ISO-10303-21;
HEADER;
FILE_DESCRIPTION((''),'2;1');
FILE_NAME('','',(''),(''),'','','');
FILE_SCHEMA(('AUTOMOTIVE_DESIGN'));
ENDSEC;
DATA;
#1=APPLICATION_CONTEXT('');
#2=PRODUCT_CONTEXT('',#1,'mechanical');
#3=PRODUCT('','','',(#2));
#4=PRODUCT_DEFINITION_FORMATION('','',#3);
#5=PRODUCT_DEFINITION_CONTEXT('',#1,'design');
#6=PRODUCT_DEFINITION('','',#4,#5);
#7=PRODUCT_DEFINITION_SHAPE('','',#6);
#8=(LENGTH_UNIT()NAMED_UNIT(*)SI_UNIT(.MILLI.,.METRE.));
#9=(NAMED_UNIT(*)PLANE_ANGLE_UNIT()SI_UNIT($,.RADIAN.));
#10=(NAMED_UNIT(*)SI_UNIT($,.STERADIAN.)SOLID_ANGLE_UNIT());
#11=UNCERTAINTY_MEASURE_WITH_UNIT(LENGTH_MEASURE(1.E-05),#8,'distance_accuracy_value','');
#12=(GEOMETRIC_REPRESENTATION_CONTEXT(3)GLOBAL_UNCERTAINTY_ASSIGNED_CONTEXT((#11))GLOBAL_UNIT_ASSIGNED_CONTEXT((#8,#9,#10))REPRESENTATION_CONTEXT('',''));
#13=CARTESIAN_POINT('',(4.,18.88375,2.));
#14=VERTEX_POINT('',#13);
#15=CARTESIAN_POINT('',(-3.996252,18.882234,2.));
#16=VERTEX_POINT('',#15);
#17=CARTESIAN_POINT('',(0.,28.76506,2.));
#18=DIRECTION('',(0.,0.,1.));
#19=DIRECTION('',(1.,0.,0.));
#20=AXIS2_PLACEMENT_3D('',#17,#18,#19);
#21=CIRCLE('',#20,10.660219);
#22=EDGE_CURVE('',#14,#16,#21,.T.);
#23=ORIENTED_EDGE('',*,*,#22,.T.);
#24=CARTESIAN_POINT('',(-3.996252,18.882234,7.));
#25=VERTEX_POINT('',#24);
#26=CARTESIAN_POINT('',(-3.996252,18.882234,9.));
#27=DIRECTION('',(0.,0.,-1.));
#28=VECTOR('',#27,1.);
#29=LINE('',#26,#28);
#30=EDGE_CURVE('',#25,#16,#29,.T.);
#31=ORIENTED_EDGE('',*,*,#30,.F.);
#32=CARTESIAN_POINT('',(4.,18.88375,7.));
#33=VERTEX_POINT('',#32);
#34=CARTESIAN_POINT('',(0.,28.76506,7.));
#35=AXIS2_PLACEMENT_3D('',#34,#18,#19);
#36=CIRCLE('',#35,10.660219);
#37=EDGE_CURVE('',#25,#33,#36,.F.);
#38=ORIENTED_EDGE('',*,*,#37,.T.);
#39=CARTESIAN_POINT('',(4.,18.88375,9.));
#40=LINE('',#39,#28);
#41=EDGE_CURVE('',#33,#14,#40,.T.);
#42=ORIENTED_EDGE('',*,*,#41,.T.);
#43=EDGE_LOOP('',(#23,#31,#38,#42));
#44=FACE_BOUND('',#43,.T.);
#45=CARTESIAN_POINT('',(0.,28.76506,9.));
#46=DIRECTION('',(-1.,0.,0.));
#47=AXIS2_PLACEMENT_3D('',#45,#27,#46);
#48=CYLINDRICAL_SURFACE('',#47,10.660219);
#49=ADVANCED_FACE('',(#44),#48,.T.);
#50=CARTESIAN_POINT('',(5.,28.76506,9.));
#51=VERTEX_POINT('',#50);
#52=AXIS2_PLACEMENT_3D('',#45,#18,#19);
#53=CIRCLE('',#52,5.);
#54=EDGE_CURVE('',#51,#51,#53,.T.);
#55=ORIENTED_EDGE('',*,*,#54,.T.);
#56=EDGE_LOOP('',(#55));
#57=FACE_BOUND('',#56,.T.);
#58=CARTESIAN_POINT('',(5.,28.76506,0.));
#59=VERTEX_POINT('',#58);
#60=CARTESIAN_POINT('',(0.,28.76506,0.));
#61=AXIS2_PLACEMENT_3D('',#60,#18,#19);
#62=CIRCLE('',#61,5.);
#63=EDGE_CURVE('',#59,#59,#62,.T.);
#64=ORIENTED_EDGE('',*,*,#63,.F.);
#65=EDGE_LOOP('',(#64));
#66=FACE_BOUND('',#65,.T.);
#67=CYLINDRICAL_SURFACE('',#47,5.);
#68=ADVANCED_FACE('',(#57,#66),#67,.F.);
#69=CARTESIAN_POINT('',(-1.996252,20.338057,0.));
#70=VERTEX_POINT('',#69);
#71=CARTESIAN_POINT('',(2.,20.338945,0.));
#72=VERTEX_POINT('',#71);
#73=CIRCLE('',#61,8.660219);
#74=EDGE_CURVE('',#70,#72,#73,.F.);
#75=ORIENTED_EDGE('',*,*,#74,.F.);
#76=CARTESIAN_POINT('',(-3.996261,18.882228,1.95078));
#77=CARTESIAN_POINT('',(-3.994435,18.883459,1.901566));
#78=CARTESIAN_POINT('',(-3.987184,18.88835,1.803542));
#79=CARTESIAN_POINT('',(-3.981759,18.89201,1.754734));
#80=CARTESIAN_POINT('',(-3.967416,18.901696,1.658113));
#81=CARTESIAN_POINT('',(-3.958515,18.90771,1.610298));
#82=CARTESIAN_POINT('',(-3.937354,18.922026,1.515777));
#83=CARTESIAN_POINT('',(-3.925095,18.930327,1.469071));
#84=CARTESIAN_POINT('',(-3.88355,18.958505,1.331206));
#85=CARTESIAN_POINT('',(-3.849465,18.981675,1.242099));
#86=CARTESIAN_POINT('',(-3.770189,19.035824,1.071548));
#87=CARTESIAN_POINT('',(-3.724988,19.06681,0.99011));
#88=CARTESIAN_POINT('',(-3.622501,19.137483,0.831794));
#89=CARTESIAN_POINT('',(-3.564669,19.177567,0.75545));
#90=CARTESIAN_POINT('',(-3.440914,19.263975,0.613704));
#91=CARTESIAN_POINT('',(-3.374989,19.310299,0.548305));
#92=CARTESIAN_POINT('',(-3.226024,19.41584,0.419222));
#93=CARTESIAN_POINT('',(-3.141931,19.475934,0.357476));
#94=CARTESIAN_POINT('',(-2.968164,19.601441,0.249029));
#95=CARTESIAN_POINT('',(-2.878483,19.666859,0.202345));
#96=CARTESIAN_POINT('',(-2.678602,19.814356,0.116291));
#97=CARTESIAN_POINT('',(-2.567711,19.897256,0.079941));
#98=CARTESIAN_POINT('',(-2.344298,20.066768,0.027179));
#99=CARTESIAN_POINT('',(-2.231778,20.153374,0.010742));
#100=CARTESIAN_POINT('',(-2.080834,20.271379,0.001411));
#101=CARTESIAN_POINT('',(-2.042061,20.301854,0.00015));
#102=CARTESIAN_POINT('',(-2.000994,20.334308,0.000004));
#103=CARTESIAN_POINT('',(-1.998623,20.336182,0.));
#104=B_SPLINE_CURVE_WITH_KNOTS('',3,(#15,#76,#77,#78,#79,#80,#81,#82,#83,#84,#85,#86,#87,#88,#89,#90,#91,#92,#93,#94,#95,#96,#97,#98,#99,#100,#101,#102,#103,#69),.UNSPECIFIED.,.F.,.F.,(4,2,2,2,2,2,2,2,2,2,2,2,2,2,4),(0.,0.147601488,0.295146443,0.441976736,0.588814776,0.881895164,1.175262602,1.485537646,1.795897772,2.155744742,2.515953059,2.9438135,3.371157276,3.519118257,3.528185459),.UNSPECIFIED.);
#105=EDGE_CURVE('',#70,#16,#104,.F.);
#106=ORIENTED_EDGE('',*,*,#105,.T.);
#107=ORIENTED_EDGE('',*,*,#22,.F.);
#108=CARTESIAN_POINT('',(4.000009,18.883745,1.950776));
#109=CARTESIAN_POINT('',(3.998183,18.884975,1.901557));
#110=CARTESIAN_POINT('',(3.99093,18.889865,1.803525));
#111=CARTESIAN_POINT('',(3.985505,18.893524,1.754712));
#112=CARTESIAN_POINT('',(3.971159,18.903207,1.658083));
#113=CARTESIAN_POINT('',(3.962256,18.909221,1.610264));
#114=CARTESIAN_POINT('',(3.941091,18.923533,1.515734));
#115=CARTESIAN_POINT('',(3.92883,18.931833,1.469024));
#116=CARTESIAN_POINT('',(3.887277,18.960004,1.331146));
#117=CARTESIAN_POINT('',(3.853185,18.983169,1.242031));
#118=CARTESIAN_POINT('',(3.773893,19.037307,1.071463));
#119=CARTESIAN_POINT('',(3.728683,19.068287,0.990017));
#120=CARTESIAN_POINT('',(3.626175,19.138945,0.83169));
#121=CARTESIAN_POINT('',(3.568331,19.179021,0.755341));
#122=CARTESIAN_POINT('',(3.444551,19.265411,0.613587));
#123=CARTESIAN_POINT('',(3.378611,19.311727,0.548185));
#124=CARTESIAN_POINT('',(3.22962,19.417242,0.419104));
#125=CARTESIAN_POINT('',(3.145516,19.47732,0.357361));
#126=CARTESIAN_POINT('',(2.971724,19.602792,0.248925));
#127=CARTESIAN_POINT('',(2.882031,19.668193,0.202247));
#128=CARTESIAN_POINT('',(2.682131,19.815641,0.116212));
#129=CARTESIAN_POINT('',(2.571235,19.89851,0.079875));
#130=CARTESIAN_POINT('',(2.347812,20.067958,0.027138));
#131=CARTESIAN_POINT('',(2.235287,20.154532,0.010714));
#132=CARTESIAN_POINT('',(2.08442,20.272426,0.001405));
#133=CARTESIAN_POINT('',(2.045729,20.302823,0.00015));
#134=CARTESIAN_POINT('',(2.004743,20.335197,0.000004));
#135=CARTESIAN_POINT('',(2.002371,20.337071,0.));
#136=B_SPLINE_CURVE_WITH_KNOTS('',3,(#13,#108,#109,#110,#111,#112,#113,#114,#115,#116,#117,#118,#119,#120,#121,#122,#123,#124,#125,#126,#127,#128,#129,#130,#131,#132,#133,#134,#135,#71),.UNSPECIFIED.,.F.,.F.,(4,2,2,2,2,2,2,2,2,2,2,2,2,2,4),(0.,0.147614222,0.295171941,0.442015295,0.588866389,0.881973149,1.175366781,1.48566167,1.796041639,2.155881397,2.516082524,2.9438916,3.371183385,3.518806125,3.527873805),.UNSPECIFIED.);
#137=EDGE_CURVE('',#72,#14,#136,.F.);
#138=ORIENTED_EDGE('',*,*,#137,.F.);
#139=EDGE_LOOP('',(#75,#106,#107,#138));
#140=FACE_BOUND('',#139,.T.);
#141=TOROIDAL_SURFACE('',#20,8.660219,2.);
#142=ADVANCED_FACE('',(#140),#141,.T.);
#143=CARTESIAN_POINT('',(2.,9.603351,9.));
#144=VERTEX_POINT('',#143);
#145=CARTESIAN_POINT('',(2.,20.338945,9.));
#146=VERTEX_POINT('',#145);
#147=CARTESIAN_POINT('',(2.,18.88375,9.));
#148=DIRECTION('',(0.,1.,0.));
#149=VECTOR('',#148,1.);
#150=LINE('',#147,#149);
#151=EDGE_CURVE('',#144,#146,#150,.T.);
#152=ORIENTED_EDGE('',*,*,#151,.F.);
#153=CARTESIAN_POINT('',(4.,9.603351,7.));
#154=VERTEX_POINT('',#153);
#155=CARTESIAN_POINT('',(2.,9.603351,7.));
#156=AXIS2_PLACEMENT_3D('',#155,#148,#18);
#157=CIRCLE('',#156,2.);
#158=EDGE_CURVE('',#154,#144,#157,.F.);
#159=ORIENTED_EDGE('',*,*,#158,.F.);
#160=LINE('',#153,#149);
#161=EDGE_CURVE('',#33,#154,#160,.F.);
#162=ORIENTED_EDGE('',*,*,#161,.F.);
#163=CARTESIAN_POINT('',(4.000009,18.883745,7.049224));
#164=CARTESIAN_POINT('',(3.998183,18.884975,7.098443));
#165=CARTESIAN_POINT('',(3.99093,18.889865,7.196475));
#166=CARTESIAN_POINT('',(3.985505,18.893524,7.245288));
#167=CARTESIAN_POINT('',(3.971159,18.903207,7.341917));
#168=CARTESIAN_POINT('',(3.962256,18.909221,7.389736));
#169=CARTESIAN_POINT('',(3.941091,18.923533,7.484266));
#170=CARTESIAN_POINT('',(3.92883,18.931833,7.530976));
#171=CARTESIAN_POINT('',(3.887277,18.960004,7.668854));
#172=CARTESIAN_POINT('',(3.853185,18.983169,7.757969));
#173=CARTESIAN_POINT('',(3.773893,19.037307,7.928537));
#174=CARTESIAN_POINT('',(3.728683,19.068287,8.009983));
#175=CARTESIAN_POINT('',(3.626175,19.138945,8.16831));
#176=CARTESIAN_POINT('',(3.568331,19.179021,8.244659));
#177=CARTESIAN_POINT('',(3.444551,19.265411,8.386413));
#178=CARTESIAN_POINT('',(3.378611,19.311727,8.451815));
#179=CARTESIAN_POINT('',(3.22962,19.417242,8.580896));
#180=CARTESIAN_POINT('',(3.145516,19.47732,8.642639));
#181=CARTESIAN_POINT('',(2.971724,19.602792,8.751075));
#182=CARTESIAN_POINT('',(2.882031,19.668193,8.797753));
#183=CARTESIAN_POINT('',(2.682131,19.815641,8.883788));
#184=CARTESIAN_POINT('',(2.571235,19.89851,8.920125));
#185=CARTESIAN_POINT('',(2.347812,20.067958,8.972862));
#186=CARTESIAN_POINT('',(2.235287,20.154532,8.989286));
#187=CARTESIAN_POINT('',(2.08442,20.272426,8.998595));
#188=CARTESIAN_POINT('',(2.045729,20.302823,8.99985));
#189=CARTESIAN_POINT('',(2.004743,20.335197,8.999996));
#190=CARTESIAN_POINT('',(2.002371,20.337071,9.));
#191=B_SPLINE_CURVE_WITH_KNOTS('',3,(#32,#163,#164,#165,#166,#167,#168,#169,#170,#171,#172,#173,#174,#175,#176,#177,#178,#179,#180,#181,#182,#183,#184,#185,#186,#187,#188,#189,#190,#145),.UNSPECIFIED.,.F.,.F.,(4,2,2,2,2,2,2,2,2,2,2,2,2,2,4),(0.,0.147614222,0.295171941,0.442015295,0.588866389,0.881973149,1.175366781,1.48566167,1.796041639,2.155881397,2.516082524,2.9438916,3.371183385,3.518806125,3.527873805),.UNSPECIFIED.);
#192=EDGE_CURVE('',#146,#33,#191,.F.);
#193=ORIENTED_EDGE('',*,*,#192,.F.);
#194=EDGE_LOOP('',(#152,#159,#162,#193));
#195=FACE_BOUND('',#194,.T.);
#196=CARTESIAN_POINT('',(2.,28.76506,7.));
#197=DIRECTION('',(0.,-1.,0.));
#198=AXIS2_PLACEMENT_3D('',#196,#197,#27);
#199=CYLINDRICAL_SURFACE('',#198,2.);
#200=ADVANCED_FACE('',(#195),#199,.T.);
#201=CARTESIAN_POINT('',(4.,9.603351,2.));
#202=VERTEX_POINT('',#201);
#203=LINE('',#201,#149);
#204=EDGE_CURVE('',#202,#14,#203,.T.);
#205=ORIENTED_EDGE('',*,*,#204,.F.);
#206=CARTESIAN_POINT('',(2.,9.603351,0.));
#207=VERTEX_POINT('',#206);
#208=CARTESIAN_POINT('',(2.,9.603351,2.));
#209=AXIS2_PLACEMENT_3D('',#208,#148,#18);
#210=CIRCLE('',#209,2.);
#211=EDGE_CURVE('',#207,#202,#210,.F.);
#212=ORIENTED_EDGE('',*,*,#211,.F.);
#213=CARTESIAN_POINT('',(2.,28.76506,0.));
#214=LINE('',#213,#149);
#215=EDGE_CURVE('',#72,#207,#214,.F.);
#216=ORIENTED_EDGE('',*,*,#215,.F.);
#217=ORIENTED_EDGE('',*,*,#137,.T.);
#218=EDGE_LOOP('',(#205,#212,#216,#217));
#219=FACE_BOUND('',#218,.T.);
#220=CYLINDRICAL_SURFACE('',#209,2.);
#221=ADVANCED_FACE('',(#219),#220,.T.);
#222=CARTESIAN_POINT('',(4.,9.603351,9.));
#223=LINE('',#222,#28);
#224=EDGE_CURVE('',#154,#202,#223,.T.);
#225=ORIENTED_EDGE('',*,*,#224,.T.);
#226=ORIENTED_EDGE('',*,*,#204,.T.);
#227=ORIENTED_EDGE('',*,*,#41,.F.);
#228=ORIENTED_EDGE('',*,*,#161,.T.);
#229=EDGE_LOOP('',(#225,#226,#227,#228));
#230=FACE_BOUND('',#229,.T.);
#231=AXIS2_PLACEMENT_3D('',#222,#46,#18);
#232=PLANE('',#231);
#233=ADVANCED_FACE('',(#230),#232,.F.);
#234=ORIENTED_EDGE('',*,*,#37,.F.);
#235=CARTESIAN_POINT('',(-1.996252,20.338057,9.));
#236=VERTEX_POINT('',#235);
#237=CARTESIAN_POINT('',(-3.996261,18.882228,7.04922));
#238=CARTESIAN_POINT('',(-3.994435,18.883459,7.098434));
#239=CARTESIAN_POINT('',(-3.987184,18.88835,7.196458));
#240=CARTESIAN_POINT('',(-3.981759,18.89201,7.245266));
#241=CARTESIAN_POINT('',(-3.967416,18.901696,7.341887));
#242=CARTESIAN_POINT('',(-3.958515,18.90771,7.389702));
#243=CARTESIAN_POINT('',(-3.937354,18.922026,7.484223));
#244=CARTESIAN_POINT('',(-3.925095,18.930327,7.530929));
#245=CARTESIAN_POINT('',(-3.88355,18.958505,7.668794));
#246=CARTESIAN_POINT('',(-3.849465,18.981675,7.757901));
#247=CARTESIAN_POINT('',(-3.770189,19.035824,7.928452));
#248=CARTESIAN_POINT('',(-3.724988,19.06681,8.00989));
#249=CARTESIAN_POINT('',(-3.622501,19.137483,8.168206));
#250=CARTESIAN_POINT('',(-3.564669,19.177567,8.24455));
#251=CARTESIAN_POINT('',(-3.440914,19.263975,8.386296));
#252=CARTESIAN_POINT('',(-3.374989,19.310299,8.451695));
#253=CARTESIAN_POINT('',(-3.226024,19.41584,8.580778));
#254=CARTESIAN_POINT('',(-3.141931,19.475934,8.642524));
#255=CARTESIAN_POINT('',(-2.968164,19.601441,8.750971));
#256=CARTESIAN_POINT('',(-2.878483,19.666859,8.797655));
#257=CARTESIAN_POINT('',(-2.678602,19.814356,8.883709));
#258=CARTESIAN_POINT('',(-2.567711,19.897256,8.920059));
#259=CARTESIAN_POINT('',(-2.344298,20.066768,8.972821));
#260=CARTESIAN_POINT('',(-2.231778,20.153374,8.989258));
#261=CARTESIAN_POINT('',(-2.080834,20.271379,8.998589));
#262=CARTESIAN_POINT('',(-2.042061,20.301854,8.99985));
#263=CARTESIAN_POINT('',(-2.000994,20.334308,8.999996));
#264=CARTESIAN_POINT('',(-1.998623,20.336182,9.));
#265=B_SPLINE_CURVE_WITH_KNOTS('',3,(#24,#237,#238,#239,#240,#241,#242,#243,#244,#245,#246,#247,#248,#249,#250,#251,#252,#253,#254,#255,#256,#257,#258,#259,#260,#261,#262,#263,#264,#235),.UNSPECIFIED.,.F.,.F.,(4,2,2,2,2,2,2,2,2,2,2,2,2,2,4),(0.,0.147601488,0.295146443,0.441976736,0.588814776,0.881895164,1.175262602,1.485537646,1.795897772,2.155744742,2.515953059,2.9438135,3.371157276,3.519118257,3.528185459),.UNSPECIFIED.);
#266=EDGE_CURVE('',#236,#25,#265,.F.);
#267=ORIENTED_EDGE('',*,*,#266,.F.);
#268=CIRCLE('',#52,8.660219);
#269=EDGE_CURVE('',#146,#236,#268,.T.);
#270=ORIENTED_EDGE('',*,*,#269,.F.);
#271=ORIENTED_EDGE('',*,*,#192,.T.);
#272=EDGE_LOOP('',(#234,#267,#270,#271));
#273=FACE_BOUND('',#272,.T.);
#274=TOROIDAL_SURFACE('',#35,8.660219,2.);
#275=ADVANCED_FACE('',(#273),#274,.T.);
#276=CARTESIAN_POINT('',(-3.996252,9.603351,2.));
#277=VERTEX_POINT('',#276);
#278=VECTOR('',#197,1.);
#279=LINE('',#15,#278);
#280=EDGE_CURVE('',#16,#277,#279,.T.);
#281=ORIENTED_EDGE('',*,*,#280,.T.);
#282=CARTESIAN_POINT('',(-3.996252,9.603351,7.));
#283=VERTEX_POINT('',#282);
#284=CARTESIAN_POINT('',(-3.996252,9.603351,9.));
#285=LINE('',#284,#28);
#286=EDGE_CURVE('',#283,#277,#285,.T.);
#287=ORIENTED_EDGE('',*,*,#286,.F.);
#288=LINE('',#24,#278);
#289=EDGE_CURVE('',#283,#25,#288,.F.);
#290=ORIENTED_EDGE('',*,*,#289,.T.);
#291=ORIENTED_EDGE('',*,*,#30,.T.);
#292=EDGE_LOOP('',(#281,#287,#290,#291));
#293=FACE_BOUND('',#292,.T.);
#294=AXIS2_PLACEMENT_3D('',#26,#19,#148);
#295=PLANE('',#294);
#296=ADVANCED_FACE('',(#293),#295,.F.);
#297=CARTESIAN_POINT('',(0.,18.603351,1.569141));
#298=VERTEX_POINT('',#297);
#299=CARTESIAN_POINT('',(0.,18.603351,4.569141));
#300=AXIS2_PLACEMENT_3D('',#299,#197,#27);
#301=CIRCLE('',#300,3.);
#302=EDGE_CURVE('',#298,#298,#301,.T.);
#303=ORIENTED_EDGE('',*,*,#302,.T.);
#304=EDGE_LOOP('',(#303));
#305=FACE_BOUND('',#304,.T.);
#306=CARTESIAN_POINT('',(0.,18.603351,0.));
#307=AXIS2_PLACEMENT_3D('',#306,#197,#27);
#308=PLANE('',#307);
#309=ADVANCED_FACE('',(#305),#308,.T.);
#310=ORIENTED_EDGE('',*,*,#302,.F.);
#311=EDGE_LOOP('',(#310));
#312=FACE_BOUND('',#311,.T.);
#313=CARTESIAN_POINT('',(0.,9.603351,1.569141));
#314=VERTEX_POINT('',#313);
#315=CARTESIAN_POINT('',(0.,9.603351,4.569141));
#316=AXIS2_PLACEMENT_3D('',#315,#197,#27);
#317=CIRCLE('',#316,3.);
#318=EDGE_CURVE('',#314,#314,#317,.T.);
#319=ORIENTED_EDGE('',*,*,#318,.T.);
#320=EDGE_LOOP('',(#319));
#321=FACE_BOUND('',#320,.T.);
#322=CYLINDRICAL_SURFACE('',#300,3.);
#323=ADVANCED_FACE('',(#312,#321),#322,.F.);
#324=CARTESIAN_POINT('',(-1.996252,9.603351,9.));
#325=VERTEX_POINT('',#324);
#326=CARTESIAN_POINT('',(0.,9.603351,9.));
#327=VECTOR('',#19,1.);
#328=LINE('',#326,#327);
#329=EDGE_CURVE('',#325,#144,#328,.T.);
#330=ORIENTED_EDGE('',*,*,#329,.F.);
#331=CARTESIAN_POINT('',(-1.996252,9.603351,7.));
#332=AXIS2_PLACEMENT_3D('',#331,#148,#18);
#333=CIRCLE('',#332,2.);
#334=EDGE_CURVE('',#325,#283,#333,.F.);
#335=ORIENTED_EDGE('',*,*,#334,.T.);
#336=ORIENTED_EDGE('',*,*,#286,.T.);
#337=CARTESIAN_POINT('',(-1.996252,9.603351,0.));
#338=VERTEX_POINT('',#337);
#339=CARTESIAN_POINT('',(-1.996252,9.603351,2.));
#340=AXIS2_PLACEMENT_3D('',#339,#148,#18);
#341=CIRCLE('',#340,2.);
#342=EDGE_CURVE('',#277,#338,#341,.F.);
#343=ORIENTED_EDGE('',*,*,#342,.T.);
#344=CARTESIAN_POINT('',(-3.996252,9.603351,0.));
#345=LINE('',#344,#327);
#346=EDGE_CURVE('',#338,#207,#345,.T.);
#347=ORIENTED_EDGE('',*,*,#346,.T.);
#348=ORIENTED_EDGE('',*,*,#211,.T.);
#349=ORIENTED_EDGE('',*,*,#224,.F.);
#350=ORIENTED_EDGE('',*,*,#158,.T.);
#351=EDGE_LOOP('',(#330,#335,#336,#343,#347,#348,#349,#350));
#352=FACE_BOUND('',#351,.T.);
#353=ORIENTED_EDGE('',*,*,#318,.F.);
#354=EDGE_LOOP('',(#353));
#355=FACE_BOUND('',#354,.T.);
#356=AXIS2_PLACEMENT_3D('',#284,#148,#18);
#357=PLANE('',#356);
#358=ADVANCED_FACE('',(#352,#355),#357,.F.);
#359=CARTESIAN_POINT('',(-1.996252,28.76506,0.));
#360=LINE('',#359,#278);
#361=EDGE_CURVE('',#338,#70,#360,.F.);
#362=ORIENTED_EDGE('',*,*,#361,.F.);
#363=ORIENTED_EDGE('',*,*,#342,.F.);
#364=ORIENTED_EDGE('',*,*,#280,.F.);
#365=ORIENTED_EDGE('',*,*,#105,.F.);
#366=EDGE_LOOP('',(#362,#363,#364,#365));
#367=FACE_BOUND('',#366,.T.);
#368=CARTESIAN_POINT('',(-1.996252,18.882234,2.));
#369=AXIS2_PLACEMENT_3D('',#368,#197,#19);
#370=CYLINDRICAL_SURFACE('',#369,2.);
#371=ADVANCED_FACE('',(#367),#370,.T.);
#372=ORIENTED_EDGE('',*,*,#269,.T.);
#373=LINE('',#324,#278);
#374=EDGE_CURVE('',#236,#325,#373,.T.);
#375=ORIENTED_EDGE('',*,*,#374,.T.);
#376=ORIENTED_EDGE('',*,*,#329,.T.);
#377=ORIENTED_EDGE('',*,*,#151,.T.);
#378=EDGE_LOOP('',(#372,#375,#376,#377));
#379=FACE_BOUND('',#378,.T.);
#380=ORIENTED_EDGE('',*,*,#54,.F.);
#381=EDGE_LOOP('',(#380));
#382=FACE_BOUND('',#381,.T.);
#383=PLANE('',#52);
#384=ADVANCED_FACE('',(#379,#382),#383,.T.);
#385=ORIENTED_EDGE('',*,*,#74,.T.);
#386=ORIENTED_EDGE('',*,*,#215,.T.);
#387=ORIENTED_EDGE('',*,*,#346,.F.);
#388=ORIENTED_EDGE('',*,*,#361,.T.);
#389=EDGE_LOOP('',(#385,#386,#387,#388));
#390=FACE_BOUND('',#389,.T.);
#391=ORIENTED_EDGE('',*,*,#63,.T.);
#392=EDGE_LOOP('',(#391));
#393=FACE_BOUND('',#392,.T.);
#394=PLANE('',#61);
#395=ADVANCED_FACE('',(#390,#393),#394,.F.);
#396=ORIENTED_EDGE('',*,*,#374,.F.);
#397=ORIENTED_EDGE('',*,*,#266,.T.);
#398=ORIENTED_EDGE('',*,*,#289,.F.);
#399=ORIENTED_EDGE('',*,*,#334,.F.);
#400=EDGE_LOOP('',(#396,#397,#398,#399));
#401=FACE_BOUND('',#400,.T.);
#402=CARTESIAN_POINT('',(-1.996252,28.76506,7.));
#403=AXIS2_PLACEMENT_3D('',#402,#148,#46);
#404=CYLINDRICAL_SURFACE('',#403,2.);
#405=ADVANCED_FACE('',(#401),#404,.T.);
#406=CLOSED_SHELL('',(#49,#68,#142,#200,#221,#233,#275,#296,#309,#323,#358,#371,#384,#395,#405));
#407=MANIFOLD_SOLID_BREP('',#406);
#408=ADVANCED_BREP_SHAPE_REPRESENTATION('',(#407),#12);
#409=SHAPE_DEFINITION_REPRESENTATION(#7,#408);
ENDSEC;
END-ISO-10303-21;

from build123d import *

# Parameters (mm, degrees)
SKETCH1_R           = 5
BOSS_EXTRUDE1_DEPTH = 9
FILLET1_R           = 2
SKETCH2_R           = 3
CUT_EXTRUDE2_DEPTH  = 9


with BuildPart() as part:
    # Sketch1 → Boss-Extrude1 (new body)
    with BuildSketch(Plane.XY):
        with BuildLine():
            Line((-3.996251998, 18.882233703), (-3.996251998, 9.603351185))
            Line((-3.996251998, 9.603351185), (0, 9.603351185))
            Line((0, 9.603351185), (4, 9.603351185))
            Line((4, 9.603351185), (4, 18.883750084))
            ThreePointArc((4, 18.883750084), (-0.002021567, 39.425278988), (-3.996251998, 18.882233703))
        make_face()
        with Locations((0, 28.765059691)):
            Circle(SKETCH1_R, mode=Mode.SUBTRACT)
    extrude(amount=BOSS_EXTRUDE1_DEPTH)

    # Fillet1
    fillet1_edges = [part.edges().sort_by_distance(p)[0] for p in [
        (-0.002021567, 39.425278988, 9),
        (-3.996251998, 14.242792444, 9),
        (-3.996251998, 14.242792444, 0),
        (-0.002021567, 39.425278988, 0),
        (4, 14.243550634, 0),
        (4, 14.243550634, 9),
    ]]
    fillet(fillet1_edges, radius=FILLET1_R)

    # Sketch2 → Cut-Extrude2 (cut)
    with BuildSketch(Plane.XZ.offset(-9.603351185)):
        with Locations(Location((0, 4.569140721, 0), (0, 0, 270))):
            Circle(SKETCH2_R)
    extrude(amount=-CUT_EXTRUDE2_DEPTH, mode=Mode.SUBTRACT)


solid = part.part
